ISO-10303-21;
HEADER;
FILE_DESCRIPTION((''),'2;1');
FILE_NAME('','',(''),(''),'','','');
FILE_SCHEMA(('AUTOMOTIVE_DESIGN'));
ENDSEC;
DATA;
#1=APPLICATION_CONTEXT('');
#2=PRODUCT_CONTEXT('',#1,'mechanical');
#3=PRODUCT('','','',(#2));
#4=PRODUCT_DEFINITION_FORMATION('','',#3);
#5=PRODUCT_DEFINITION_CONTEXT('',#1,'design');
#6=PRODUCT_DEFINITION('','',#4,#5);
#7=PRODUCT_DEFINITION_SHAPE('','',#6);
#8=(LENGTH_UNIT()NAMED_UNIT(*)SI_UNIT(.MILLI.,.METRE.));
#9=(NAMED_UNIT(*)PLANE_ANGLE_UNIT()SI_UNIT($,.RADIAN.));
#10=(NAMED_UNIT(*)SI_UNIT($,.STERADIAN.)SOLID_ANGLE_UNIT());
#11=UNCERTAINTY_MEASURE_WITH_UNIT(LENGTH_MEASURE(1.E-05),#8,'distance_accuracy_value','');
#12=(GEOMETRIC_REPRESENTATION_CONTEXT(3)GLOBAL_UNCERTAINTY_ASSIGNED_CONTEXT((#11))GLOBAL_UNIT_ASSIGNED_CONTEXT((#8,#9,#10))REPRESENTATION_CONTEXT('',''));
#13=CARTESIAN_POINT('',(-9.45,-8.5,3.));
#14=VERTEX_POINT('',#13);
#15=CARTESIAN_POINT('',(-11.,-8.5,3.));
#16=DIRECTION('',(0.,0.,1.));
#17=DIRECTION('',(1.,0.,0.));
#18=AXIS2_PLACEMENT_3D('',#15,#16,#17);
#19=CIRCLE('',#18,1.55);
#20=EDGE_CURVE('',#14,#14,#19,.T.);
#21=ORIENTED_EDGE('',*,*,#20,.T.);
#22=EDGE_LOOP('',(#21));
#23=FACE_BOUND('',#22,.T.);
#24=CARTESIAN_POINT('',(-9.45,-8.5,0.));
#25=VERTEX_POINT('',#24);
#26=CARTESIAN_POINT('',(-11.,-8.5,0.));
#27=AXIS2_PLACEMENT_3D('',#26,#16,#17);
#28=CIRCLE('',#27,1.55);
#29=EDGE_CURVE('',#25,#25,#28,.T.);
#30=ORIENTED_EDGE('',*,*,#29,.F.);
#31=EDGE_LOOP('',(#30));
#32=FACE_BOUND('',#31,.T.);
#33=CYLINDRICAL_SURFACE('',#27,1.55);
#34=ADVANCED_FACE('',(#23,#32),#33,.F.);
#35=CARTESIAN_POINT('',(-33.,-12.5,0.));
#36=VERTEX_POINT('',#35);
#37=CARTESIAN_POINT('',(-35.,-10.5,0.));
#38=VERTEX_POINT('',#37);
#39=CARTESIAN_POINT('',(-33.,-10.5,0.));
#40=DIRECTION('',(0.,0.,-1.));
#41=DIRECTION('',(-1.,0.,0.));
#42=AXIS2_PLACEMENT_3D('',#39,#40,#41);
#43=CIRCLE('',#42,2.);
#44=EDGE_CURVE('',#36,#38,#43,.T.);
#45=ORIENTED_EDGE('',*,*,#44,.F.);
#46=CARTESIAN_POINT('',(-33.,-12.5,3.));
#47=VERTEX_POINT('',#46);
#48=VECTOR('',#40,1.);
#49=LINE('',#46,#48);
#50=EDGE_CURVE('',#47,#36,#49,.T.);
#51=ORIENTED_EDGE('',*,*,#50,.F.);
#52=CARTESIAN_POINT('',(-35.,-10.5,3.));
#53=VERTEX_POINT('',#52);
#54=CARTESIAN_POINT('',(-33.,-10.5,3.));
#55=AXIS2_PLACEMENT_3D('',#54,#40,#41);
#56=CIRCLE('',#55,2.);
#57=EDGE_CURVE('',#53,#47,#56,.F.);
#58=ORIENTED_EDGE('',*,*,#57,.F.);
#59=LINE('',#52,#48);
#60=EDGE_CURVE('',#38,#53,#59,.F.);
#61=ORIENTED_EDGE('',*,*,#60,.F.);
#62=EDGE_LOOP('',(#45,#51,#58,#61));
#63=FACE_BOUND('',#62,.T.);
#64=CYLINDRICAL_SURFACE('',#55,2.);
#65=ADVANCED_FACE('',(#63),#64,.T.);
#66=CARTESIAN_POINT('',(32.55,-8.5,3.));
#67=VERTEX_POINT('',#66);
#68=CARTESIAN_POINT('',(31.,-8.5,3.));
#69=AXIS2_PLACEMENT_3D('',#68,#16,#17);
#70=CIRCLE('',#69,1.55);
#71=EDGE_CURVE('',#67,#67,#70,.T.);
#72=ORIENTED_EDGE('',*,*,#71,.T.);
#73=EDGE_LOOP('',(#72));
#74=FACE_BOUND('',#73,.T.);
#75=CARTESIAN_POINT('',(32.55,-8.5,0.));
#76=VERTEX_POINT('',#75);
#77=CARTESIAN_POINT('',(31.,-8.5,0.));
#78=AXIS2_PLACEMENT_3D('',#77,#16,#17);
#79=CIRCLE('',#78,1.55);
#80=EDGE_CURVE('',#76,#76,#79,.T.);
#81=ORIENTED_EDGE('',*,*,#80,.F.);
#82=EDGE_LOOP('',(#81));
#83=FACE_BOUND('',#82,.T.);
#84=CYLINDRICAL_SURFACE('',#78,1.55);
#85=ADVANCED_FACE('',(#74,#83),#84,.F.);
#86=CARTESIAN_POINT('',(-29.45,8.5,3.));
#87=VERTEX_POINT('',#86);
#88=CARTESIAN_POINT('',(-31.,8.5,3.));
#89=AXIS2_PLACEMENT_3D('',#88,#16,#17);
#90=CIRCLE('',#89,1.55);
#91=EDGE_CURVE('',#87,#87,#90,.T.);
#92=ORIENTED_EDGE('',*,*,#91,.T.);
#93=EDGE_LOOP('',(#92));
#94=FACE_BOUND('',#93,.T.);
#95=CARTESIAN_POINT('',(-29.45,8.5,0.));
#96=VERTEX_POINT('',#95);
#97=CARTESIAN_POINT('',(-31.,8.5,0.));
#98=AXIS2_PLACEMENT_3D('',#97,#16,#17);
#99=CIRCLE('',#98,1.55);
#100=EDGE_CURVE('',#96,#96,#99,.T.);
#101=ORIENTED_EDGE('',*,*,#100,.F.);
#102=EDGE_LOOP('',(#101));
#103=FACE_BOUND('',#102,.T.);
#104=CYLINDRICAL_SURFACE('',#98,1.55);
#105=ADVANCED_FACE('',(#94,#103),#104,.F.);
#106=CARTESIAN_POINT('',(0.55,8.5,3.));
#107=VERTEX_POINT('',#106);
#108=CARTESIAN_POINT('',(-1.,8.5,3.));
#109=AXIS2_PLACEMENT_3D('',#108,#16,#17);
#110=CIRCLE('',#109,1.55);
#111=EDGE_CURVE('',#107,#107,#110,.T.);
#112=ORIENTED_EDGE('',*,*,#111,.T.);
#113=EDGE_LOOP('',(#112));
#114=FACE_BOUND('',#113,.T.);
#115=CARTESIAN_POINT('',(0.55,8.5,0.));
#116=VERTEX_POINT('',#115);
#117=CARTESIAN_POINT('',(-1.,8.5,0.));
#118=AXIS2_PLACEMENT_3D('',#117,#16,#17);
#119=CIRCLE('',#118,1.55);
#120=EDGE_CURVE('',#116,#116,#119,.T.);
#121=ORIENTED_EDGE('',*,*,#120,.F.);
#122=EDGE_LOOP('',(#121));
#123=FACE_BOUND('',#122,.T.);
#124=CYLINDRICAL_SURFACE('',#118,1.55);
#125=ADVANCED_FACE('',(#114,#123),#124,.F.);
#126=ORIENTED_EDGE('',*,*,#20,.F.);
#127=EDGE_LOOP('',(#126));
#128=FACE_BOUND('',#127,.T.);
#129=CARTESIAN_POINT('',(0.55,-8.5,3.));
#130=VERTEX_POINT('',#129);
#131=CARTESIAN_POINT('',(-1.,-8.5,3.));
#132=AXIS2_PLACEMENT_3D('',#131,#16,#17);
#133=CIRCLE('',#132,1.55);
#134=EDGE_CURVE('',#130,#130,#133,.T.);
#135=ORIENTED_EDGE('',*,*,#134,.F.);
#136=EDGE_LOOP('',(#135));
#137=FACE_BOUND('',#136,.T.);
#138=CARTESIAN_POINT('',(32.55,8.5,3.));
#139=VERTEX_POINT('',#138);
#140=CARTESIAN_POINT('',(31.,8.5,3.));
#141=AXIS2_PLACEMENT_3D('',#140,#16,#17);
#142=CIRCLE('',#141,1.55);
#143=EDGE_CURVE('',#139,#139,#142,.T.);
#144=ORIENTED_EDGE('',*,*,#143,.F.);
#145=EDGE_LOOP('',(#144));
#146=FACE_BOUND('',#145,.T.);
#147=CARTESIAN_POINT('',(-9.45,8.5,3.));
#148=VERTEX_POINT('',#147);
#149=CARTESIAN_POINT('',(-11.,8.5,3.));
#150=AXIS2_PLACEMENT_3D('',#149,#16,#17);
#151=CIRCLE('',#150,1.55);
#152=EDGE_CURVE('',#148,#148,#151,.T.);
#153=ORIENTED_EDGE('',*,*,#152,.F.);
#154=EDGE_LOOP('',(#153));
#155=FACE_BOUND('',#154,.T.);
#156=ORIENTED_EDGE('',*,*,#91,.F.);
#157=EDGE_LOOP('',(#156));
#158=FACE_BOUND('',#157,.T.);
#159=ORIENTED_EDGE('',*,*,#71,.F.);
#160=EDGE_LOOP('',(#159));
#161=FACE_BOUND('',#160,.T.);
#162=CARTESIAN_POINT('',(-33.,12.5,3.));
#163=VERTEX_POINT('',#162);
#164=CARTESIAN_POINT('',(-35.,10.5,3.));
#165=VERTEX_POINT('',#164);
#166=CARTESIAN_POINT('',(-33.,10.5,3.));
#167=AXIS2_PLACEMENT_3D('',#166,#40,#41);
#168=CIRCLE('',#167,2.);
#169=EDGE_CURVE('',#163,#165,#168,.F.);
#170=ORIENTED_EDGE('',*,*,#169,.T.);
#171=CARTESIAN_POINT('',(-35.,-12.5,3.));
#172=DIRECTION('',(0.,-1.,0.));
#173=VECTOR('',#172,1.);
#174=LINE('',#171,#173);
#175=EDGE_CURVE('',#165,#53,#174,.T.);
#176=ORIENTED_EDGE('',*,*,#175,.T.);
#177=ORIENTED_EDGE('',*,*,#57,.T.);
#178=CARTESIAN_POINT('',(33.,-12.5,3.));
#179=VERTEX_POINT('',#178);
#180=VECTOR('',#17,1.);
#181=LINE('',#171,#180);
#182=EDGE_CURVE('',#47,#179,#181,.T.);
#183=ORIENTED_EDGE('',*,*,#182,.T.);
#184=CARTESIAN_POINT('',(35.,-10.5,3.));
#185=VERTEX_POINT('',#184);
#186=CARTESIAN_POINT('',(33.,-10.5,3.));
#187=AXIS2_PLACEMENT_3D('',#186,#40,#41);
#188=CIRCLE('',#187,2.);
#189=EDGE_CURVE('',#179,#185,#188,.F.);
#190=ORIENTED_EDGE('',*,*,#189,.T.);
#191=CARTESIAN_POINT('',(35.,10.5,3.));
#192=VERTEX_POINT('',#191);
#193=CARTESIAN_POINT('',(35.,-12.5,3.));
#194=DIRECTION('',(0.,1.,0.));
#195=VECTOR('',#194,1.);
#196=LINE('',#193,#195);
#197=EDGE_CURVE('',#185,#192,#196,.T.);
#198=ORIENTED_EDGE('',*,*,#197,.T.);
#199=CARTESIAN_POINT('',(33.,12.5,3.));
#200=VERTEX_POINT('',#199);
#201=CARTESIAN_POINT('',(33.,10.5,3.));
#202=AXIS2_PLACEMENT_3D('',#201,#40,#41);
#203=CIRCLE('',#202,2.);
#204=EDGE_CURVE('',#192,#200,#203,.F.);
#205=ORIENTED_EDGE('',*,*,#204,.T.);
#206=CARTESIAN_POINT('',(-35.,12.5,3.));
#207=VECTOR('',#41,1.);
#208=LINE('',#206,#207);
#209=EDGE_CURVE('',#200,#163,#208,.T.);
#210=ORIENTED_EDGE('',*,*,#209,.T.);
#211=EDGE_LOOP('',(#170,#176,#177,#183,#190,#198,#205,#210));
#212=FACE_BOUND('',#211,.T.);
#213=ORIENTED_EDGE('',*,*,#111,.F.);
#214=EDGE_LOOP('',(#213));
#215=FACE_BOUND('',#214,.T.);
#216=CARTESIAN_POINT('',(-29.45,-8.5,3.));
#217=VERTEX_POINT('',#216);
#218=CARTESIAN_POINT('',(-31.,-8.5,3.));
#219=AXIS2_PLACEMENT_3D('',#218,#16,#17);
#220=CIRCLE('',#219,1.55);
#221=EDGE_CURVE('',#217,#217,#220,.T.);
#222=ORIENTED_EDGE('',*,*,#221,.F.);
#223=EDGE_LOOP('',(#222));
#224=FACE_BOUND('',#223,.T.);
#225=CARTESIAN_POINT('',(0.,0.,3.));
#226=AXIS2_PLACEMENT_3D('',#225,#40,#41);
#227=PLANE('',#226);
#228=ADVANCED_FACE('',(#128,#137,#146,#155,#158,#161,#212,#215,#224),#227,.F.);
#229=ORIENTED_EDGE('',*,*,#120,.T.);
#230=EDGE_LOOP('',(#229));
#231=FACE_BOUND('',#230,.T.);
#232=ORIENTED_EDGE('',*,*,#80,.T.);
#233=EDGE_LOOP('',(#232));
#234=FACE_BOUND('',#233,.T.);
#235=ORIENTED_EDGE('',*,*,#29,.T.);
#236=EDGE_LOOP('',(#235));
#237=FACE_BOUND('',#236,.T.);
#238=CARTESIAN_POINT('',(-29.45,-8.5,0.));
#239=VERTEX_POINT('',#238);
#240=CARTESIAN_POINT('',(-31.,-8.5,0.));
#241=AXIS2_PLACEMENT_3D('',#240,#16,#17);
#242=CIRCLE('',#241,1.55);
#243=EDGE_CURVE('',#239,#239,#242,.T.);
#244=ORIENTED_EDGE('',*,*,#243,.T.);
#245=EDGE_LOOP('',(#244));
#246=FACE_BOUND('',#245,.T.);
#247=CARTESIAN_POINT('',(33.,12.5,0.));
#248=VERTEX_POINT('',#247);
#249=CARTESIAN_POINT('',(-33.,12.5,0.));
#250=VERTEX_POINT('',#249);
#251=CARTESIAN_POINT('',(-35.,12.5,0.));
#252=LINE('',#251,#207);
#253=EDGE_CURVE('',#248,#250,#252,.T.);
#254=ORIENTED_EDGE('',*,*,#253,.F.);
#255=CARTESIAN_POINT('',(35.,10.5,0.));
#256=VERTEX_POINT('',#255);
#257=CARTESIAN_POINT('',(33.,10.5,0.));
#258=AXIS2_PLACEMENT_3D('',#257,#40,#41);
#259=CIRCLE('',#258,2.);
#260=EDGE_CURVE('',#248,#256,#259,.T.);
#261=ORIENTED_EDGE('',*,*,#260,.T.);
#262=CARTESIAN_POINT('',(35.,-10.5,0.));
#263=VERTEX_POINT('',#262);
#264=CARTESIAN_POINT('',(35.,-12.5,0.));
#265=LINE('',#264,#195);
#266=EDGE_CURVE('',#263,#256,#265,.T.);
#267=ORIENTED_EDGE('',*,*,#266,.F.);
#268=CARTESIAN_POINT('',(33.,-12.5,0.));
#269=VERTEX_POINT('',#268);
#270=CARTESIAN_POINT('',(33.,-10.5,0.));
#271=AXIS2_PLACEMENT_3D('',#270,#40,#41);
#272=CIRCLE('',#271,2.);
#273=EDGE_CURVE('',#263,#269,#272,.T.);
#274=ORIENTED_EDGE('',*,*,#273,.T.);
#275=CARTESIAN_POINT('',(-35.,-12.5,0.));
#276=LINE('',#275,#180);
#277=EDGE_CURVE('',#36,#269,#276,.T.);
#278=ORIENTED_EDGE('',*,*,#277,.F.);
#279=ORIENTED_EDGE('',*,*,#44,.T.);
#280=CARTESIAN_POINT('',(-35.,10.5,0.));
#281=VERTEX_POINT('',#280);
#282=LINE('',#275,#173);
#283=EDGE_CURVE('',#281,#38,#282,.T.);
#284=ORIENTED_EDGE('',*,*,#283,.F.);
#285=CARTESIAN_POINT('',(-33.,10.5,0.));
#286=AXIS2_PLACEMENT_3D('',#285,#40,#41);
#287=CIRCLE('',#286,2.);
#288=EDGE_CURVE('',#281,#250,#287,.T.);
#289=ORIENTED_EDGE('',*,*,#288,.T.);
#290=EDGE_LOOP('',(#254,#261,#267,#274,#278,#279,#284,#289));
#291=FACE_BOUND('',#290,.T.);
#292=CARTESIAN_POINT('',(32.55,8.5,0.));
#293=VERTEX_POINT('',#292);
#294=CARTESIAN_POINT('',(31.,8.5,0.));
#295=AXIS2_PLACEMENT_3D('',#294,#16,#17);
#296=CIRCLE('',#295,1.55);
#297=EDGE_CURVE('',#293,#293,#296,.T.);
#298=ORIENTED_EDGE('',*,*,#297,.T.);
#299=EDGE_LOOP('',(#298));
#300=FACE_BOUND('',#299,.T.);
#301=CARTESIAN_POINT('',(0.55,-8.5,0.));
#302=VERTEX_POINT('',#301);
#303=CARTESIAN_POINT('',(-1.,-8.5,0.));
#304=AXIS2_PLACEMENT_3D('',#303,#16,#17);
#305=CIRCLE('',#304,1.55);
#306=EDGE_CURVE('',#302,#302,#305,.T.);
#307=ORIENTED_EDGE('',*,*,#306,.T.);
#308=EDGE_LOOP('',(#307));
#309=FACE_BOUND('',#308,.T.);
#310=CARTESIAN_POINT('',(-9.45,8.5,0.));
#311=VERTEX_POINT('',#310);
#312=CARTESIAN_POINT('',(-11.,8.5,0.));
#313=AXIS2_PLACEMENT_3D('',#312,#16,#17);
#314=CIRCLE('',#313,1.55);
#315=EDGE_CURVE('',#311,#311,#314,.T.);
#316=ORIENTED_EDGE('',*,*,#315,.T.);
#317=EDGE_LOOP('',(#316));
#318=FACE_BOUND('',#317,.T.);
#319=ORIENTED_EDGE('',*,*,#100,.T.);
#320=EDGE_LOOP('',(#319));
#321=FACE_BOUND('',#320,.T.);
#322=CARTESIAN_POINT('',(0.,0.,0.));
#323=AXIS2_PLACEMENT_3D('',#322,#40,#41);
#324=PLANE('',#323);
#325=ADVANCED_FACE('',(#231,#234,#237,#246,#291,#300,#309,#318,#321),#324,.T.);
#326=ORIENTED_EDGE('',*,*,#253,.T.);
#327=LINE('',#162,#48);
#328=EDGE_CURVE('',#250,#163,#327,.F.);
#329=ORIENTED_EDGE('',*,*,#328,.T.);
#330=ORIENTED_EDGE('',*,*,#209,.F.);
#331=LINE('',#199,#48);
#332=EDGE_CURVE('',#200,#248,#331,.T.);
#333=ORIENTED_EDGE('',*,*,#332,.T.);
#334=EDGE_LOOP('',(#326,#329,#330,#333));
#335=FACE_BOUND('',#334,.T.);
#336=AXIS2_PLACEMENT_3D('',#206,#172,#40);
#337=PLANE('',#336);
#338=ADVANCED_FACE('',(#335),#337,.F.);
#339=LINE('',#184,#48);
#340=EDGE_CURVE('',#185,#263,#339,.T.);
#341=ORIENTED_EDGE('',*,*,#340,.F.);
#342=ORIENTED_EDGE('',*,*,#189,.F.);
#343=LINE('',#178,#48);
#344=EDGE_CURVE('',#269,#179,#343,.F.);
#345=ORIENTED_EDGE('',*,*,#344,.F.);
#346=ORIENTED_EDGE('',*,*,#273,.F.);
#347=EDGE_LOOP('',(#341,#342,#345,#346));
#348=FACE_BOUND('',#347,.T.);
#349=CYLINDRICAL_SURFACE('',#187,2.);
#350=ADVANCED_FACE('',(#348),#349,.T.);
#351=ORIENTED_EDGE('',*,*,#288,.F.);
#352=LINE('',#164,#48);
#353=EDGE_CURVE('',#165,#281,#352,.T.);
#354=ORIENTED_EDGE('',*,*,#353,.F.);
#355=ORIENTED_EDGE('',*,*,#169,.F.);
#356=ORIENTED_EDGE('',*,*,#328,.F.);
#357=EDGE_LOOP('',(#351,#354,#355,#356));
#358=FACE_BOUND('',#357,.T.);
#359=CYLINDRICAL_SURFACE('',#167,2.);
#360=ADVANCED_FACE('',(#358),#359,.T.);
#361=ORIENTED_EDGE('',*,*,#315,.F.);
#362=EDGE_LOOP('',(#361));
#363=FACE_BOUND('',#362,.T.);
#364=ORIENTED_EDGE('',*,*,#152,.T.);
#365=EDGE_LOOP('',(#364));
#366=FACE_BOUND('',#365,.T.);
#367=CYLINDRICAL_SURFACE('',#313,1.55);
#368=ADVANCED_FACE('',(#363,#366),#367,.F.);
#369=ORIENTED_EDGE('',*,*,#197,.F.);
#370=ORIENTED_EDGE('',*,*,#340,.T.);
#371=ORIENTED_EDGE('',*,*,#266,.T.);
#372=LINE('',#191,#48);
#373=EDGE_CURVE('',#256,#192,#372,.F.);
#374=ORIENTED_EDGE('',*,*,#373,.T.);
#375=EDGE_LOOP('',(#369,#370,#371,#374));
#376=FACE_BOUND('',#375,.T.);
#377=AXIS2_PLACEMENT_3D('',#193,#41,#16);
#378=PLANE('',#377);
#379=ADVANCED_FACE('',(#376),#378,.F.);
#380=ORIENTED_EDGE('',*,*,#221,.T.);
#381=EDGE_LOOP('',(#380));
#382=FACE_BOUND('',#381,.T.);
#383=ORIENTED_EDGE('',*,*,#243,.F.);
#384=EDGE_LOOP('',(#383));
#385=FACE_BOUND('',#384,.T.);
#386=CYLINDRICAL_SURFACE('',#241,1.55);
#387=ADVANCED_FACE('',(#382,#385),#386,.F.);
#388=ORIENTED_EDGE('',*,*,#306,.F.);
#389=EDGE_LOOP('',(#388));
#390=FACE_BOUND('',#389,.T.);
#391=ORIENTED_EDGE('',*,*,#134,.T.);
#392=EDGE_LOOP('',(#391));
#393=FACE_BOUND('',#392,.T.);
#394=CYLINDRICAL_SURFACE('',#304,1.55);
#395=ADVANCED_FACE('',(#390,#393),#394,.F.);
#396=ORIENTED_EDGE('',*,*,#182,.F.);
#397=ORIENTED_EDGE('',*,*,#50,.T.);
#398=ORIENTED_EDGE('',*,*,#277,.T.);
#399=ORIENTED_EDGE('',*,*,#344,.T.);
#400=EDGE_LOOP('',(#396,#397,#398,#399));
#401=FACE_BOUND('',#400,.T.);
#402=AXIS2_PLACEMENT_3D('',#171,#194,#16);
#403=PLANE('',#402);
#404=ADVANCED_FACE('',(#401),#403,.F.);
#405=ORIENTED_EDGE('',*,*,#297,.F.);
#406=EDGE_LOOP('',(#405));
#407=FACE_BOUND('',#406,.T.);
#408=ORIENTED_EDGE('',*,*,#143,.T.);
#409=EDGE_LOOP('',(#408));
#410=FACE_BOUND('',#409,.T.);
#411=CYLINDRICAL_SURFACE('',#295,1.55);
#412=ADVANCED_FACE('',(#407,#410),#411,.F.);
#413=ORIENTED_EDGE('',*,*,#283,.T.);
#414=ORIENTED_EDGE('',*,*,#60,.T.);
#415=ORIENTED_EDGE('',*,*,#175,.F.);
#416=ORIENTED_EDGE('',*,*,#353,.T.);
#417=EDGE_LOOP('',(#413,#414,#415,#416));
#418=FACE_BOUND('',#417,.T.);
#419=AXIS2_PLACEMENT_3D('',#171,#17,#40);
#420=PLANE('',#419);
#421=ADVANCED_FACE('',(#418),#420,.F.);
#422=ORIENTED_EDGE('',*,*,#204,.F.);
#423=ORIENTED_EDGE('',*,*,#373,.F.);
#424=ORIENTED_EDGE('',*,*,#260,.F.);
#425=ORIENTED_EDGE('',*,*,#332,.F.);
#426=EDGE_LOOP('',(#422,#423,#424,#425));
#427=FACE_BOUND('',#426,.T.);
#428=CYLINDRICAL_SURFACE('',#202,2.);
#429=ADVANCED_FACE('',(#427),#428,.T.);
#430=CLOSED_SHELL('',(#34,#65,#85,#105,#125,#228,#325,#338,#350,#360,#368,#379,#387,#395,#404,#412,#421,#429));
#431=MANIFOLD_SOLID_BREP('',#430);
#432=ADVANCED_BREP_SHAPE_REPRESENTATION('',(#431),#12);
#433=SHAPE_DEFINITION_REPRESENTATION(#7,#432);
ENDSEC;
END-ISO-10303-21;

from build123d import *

# Parameters (mm, degrees)
SKETCH_1_W          = 70
SKETCH_1_H          = 25
EXTRUDE_1_DEPTH     = 3
SKETCH_2_R          = 1.55
CUT_EXTRUDE_1_DEPTH = 3
FILLET_1_R          = 2


with BuildPart() as part:
    # 草图1 → 凸台-拉伸1 (new body)
    with BuildSketch(Plane.XY):
        Rectangle(SKETCH_1_W, SKETCH_1_H)
    extrude(amount=EXTRUDE_1_DEPTH)

    # 草图2 → 切除-拉伸1 (cut)
    with BuildSketch(Plane.XY.offset(3)):
        with Locations((31, 8.5)):
            Circle(SKETCH_2_R)
        with Locations((-1, 8.5)):
            Circle(SKETCH_2_R)
        with Locations((-1, -8.5)):
            Circle(SKETCH_2_R)
        with Locations((31, -8.5)):
            Circle(SKETCH_2_R)
        with Locations((-11, -8.5)):
            Circle(SKETCH_2_R)
        with Locations((-31, -8.5)):
            Circle(SKETCH_2_R)
        with Locations((-31, 8.5)):
            Circle(SKETCH_2_R)
        with Locations((-11, 8.5)):
            Circle(SKETCH_2_R)
    extrude(amount=-CUT_EXTRUDE_1_DEPTH, mode=Mode.SUBTRACT)

    # 圆角1
    fillet_1_edges = [part.edges().sort_by_distance(p)[0] for p in [
        (35, -12.5, 1.5),
        (-35, -12.5, 1.5),
        (-35, 12.5, 1.5),
        (35, 12.5, 1.5),
    ]]
    fillet(fillet_1_edges, radius=FILLET_1_R)


solid = part.part
